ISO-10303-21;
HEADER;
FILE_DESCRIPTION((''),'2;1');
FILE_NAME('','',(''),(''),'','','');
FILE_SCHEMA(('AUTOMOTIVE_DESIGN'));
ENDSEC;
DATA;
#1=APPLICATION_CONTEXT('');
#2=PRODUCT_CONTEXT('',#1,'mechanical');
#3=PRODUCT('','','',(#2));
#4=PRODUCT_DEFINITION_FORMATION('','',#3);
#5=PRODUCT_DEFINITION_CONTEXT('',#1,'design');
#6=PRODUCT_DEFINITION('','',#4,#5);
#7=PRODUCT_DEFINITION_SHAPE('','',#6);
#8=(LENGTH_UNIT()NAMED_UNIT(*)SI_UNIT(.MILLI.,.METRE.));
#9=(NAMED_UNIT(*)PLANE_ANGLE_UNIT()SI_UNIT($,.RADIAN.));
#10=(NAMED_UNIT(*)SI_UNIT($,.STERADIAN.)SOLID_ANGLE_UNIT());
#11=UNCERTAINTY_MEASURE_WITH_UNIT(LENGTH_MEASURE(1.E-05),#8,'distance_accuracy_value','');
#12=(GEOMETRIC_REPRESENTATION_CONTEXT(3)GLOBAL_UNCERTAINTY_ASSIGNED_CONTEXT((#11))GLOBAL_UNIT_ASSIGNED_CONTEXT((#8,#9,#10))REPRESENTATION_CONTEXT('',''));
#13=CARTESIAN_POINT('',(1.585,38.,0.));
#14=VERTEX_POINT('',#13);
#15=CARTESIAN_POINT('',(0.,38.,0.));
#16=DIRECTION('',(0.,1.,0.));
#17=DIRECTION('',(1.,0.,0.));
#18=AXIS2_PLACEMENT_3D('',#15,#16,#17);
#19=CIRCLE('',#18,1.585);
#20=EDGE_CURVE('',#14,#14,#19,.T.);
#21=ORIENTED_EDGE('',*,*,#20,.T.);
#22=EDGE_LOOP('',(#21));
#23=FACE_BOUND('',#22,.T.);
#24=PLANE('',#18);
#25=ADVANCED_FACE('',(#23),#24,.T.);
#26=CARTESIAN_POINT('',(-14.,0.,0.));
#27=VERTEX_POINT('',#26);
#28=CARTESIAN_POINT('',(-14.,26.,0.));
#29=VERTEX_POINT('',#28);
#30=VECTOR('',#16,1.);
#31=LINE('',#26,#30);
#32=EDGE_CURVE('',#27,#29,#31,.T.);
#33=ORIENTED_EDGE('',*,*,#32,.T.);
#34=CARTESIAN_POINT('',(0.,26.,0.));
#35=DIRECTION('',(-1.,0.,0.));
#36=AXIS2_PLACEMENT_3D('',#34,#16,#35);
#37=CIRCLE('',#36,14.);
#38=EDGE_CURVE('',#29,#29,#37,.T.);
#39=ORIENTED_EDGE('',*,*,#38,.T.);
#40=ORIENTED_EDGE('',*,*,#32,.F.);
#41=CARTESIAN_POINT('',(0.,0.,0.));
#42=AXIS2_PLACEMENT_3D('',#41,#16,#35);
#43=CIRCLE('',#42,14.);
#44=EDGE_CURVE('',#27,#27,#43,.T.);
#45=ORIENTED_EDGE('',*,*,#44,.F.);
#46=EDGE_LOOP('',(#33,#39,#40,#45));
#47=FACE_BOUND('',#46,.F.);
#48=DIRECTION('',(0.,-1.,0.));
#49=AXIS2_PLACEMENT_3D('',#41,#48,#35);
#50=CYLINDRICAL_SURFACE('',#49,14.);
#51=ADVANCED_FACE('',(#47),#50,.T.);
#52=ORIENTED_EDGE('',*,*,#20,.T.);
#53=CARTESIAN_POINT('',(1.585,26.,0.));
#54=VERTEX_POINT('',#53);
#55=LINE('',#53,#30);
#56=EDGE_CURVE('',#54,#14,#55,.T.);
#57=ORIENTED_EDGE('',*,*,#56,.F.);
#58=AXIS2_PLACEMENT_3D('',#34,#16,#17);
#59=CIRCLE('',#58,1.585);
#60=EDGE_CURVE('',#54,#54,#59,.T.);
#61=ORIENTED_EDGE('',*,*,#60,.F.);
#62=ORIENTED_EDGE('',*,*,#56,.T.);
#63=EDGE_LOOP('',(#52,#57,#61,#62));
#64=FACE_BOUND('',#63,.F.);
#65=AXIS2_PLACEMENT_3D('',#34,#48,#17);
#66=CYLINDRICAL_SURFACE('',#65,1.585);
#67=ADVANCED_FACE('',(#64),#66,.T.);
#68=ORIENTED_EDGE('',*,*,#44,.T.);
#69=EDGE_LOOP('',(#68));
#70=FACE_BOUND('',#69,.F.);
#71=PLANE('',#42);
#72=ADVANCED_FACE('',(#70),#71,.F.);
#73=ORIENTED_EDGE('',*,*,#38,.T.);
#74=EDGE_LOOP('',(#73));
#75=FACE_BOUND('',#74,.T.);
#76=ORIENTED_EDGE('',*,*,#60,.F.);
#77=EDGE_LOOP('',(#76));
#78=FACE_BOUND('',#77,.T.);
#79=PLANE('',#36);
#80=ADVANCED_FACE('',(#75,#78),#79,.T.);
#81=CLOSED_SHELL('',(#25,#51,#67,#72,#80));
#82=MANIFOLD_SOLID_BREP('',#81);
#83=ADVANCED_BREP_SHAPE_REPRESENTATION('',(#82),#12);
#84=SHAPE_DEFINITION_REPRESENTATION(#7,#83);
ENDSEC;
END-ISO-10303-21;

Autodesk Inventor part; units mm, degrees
ref_plane "YZ Plane" through (0, 0, 0) normal (1, 0, 0) x (0, 1, 0)
ref_plane "XZ Plane" through (0, 0, 0) normal (0, 1, 0) x (-1, 0, 0)
ref_plane "XY Plane" through (0, 0, 0) normal (0, 0, 1) x (1, 0, 0)
sketch "Sketch1" plane through (0, 0, 0) normal (0, 1, 0) x (-1, 0, 0)
  circle A0 centre (0, 0) radius 14
  dimension "d0" = 28
extrude "Extrusion1" add sketch "Sketch1" along normal blind 26
sketch "Sketch2" plane through (0, 26, 0) normal (0, 1, 0) x (1, 0, 0)
  circle A0 centre (0, 0) radius 1.585
  dimension "d3" = 3.17
extrude "Extrusion2" add sketch "Sketch2" along normal blind 12
properties part number "MOTOR"
